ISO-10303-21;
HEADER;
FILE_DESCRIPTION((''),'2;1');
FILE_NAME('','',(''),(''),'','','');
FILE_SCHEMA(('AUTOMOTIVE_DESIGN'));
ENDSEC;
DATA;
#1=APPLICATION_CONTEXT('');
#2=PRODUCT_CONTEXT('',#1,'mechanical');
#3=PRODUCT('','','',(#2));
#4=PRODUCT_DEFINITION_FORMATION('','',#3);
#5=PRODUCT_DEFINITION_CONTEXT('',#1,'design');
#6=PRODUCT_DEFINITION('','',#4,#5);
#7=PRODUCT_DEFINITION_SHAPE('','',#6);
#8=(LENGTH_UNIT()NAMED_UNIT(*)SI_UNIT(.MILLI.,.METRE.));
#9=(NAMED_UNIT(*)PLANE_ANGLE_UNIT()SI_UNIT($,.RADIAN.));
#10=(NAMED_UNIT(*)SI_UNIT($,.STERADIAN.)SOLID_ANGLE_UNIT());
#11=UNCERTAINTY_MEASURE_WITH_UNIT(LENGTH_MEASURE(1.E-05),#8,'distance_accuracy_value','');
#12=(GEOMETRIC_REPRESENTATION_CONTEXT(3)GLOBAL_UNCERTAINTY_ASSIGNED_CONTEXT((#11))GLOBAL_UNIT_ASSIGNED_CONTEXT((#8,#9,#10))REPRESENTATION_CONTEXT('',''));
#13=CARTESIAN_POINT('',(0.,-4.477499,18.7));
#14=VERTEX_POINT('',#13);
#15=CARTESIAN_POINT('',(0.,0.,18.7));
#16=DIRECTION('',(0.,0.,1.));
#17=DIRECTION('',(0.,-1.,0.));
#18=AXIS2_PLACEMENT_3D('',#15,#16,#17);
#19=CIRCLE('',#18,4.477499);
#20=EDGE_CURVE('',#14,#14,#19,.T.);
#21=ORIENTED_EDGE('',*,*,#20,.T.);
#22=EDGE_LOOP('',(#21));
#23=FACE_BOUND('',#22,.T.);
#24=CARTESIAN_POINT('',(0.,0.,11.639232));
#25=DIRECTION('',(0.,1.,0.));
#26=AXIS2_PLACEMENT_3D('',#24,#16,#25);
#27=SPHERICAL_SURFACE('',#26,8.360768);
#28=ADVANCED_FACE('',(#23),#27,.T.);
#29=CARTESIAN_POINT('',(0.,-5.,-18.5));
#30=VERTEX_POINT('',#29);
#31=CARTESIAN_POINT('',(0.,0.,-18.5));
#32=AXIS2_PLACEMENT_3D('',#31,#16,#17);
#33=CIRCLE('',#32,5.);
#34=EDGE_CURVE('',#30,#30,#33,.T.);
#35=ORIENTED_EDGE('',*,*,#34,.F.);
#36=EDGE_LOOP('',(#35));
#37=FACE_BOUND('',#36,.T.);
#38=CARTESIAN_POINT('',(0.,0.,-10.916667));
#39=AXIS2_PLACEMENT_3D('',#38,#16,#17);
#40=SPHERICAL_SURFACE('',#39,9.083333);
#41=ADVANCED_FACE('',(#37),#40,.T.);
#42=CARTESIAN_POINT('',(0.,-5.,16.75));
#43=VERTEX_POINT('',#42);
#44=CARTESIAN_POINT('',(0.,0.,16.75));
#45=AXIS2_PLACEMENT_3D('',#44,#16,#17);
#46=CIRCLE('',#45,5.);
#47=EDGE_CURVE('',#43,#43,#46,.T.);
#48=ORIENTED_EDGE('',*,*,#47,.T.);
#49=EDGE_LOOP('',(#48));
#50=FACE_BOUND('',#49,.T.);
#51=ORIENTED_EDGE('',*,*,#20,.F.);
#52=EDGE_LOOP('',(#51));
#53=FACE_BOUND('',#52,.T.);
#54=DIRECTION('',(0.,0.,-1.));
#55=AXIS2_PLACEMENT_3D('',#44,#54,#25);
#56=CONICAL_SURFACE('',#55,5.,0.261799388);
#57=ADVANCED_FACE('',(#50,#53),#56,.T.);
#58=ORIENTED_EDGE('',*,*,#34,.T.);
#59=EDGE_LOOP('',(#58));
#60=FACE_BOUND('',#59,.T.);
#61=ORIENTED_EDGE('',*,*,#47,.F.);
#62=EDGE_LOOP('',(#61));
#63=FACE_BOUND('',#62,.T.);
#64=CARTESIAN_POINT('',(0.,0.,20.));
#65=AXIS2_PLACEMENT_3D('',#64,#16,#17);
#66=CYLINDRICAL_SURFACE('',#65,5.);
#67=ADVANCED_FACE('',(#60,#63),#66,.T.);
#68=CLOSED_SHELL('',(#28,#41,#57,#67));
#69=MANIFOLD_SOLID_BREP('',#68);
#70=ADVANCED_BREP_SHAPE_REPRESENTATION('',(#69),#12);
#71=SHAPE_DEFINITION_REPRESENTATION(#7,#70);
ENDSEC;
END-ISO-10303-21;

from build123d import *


with BuildPart() as part:
    # Sketch3 → Revolve1 (revolve)
    with BuildSketch(Plane(origin=(0, 0, 0), x_dir=(0, 0, -1), z_dir=(1, 0, 0)), mode=Mode.PRIVATE) as revolve1_sk:
        with BuildLine():
            Line((-20, 0), (20, 0))
            ThreePointArc((20, 0), (19.616922091, 2.610076627), (18.5, 5))
            Line((18.5, 5), (-16.75, 5))
            Line((-16.75, 5), (-18.7, 4.477499075))
            ThreePointArc((-18.7, 4.477499075), (-19.668425132, 2.331201298), (-20, 0))
        make_face()
    revolve(revolve1_sk.sketch.rotate(Axis((0, 0, 20), (0, 0, -1)), 180), axis=Axis((0, 0, 20), (0, 0, -1)))


solid = part.part
